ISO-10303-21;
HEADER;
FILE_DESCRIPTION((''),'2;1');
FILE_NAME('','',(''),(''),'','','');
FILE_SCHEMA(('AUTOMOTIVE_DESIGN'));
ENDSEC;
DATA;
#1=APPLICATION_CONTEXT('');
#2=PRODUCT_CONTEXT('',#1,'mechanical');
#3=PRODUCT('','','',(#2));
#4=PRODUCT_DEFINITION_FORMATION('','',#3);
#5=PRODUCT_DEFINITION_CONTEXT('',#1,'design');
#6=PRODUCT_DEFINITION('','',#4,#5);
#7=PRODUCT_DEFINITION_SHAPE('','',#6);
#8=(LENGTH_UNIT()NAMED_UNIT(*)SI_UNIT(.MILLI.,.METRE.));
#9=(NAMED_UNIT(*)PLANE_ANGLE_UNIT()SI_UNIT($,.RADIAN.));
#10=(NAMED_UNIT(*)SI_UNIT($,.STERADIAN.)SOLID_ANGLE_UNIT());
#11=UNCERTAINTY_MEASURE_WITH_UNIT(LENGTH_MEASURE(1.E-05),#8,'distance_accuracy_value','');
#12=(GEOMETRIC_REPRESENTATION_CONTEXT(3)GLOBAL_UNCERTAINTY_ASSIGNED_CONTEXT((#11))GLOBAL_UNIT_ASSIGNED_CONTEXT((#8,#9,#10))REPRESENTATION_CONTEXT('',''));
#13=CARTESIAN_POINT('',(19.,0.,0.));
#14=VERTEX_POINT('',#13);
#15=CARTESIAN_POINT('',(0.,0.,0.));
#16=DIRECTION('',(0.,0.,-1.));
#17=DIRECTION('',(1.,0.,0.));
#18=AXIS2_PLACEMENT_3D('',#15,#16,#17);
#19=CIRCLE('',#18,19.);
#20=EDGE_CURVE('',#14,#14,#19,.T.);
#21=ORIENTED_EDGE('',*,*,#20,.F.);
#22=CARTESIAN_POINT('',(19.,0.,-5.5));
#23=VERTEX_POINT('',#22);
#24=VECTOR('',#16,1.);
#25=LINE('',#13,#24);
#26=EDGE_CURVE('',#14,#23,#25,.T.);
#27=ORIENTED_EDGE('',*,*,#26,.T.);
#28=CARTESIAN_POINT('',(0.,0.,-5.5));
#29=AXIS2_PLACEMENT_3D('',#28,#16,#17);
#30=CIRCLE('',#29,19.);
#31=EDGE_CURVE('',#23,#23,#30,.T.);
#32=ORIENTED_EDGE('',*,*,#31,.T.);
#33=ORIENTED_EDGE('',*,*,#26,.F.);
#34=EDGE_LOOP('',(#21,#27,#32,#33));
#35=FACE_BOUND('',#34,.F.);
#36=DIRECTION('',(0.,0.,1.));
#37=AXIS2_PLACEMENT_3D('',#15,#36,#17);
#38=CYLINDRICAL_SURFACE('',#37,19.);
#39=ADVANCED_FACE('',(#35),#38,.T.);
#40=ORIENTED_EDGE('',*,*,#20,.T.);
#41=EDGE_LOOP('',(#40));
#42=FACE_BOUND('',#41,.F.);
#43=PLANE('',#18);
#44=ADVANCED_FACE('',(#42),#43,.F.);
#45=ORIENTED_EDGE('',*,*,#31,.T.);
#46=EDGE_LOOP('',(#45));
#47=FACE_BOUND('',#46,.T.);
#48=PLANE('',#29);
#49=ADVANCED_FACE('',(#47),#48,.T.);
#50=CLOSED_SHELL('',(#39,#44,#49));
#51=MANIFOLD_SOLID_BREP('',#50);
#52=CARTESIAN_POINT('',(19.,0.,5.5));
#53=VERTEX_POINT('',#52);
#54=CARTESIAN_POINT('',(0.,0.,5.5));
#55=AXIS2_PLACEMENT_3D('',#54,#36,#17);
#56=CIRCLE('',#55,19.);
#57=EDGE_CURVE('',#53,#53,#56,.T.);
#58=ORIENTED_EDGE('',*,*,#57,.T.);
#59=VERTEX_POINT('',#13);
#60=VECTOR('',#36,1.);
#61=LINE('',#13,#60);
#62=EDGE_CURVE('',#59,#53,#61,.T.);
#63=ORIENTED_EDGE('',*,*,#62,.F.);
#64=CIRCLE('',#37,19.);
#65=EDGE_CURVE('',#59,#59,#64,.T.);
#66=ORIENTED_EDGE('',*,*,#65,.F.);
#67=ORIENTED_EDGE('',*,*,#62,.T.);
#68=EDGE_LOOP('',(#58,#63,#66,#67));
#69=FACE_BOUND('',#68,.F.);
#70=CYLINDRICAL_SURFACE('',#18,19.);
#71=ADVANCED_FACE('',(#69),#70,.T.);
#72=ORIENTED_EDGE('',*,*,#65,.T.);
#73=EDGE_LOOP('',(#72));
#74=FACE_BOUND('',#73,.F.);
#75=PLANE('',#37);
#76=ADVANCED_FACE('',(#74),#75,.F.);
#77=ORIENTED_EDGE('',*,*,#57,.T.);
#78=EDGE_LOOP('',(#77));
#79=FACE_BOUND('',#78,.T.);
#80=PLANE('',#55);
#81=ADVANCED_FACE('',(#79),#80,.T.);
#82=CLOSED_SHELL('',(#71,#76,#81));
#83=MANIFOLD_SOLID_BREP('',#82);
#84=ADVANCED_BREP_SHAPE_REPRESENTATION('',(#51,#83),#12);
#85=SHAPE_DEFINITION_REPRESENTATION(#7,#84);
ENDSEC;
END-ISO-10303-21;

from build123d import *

# Parameters (mm, degrees)
F0_R      = 19
F1_DEPTH  = 5.5
F1_FACE_R = 19
F2_DEPTH  = 5.5


with BuildPart() as f1:
    # F0 (on Top) → F1 (new body)
    with BuildSketch(Plane.XY):
        Circle(F0_R)
    extrude(amount=F1_DEPTH)


with BuildPart() as f2:
    # F1_face (on face) → F2 (new body)
    with BuildSketch(Plane(origin=(0, 0, 0), x_dir=(1, 0, 0), z_dir=(0, 0, -1))):
        Circle(F1_FACE_R)
    extrude(amount=F2_DEPTH)


solid = Compound([f1.part, f2.part])
